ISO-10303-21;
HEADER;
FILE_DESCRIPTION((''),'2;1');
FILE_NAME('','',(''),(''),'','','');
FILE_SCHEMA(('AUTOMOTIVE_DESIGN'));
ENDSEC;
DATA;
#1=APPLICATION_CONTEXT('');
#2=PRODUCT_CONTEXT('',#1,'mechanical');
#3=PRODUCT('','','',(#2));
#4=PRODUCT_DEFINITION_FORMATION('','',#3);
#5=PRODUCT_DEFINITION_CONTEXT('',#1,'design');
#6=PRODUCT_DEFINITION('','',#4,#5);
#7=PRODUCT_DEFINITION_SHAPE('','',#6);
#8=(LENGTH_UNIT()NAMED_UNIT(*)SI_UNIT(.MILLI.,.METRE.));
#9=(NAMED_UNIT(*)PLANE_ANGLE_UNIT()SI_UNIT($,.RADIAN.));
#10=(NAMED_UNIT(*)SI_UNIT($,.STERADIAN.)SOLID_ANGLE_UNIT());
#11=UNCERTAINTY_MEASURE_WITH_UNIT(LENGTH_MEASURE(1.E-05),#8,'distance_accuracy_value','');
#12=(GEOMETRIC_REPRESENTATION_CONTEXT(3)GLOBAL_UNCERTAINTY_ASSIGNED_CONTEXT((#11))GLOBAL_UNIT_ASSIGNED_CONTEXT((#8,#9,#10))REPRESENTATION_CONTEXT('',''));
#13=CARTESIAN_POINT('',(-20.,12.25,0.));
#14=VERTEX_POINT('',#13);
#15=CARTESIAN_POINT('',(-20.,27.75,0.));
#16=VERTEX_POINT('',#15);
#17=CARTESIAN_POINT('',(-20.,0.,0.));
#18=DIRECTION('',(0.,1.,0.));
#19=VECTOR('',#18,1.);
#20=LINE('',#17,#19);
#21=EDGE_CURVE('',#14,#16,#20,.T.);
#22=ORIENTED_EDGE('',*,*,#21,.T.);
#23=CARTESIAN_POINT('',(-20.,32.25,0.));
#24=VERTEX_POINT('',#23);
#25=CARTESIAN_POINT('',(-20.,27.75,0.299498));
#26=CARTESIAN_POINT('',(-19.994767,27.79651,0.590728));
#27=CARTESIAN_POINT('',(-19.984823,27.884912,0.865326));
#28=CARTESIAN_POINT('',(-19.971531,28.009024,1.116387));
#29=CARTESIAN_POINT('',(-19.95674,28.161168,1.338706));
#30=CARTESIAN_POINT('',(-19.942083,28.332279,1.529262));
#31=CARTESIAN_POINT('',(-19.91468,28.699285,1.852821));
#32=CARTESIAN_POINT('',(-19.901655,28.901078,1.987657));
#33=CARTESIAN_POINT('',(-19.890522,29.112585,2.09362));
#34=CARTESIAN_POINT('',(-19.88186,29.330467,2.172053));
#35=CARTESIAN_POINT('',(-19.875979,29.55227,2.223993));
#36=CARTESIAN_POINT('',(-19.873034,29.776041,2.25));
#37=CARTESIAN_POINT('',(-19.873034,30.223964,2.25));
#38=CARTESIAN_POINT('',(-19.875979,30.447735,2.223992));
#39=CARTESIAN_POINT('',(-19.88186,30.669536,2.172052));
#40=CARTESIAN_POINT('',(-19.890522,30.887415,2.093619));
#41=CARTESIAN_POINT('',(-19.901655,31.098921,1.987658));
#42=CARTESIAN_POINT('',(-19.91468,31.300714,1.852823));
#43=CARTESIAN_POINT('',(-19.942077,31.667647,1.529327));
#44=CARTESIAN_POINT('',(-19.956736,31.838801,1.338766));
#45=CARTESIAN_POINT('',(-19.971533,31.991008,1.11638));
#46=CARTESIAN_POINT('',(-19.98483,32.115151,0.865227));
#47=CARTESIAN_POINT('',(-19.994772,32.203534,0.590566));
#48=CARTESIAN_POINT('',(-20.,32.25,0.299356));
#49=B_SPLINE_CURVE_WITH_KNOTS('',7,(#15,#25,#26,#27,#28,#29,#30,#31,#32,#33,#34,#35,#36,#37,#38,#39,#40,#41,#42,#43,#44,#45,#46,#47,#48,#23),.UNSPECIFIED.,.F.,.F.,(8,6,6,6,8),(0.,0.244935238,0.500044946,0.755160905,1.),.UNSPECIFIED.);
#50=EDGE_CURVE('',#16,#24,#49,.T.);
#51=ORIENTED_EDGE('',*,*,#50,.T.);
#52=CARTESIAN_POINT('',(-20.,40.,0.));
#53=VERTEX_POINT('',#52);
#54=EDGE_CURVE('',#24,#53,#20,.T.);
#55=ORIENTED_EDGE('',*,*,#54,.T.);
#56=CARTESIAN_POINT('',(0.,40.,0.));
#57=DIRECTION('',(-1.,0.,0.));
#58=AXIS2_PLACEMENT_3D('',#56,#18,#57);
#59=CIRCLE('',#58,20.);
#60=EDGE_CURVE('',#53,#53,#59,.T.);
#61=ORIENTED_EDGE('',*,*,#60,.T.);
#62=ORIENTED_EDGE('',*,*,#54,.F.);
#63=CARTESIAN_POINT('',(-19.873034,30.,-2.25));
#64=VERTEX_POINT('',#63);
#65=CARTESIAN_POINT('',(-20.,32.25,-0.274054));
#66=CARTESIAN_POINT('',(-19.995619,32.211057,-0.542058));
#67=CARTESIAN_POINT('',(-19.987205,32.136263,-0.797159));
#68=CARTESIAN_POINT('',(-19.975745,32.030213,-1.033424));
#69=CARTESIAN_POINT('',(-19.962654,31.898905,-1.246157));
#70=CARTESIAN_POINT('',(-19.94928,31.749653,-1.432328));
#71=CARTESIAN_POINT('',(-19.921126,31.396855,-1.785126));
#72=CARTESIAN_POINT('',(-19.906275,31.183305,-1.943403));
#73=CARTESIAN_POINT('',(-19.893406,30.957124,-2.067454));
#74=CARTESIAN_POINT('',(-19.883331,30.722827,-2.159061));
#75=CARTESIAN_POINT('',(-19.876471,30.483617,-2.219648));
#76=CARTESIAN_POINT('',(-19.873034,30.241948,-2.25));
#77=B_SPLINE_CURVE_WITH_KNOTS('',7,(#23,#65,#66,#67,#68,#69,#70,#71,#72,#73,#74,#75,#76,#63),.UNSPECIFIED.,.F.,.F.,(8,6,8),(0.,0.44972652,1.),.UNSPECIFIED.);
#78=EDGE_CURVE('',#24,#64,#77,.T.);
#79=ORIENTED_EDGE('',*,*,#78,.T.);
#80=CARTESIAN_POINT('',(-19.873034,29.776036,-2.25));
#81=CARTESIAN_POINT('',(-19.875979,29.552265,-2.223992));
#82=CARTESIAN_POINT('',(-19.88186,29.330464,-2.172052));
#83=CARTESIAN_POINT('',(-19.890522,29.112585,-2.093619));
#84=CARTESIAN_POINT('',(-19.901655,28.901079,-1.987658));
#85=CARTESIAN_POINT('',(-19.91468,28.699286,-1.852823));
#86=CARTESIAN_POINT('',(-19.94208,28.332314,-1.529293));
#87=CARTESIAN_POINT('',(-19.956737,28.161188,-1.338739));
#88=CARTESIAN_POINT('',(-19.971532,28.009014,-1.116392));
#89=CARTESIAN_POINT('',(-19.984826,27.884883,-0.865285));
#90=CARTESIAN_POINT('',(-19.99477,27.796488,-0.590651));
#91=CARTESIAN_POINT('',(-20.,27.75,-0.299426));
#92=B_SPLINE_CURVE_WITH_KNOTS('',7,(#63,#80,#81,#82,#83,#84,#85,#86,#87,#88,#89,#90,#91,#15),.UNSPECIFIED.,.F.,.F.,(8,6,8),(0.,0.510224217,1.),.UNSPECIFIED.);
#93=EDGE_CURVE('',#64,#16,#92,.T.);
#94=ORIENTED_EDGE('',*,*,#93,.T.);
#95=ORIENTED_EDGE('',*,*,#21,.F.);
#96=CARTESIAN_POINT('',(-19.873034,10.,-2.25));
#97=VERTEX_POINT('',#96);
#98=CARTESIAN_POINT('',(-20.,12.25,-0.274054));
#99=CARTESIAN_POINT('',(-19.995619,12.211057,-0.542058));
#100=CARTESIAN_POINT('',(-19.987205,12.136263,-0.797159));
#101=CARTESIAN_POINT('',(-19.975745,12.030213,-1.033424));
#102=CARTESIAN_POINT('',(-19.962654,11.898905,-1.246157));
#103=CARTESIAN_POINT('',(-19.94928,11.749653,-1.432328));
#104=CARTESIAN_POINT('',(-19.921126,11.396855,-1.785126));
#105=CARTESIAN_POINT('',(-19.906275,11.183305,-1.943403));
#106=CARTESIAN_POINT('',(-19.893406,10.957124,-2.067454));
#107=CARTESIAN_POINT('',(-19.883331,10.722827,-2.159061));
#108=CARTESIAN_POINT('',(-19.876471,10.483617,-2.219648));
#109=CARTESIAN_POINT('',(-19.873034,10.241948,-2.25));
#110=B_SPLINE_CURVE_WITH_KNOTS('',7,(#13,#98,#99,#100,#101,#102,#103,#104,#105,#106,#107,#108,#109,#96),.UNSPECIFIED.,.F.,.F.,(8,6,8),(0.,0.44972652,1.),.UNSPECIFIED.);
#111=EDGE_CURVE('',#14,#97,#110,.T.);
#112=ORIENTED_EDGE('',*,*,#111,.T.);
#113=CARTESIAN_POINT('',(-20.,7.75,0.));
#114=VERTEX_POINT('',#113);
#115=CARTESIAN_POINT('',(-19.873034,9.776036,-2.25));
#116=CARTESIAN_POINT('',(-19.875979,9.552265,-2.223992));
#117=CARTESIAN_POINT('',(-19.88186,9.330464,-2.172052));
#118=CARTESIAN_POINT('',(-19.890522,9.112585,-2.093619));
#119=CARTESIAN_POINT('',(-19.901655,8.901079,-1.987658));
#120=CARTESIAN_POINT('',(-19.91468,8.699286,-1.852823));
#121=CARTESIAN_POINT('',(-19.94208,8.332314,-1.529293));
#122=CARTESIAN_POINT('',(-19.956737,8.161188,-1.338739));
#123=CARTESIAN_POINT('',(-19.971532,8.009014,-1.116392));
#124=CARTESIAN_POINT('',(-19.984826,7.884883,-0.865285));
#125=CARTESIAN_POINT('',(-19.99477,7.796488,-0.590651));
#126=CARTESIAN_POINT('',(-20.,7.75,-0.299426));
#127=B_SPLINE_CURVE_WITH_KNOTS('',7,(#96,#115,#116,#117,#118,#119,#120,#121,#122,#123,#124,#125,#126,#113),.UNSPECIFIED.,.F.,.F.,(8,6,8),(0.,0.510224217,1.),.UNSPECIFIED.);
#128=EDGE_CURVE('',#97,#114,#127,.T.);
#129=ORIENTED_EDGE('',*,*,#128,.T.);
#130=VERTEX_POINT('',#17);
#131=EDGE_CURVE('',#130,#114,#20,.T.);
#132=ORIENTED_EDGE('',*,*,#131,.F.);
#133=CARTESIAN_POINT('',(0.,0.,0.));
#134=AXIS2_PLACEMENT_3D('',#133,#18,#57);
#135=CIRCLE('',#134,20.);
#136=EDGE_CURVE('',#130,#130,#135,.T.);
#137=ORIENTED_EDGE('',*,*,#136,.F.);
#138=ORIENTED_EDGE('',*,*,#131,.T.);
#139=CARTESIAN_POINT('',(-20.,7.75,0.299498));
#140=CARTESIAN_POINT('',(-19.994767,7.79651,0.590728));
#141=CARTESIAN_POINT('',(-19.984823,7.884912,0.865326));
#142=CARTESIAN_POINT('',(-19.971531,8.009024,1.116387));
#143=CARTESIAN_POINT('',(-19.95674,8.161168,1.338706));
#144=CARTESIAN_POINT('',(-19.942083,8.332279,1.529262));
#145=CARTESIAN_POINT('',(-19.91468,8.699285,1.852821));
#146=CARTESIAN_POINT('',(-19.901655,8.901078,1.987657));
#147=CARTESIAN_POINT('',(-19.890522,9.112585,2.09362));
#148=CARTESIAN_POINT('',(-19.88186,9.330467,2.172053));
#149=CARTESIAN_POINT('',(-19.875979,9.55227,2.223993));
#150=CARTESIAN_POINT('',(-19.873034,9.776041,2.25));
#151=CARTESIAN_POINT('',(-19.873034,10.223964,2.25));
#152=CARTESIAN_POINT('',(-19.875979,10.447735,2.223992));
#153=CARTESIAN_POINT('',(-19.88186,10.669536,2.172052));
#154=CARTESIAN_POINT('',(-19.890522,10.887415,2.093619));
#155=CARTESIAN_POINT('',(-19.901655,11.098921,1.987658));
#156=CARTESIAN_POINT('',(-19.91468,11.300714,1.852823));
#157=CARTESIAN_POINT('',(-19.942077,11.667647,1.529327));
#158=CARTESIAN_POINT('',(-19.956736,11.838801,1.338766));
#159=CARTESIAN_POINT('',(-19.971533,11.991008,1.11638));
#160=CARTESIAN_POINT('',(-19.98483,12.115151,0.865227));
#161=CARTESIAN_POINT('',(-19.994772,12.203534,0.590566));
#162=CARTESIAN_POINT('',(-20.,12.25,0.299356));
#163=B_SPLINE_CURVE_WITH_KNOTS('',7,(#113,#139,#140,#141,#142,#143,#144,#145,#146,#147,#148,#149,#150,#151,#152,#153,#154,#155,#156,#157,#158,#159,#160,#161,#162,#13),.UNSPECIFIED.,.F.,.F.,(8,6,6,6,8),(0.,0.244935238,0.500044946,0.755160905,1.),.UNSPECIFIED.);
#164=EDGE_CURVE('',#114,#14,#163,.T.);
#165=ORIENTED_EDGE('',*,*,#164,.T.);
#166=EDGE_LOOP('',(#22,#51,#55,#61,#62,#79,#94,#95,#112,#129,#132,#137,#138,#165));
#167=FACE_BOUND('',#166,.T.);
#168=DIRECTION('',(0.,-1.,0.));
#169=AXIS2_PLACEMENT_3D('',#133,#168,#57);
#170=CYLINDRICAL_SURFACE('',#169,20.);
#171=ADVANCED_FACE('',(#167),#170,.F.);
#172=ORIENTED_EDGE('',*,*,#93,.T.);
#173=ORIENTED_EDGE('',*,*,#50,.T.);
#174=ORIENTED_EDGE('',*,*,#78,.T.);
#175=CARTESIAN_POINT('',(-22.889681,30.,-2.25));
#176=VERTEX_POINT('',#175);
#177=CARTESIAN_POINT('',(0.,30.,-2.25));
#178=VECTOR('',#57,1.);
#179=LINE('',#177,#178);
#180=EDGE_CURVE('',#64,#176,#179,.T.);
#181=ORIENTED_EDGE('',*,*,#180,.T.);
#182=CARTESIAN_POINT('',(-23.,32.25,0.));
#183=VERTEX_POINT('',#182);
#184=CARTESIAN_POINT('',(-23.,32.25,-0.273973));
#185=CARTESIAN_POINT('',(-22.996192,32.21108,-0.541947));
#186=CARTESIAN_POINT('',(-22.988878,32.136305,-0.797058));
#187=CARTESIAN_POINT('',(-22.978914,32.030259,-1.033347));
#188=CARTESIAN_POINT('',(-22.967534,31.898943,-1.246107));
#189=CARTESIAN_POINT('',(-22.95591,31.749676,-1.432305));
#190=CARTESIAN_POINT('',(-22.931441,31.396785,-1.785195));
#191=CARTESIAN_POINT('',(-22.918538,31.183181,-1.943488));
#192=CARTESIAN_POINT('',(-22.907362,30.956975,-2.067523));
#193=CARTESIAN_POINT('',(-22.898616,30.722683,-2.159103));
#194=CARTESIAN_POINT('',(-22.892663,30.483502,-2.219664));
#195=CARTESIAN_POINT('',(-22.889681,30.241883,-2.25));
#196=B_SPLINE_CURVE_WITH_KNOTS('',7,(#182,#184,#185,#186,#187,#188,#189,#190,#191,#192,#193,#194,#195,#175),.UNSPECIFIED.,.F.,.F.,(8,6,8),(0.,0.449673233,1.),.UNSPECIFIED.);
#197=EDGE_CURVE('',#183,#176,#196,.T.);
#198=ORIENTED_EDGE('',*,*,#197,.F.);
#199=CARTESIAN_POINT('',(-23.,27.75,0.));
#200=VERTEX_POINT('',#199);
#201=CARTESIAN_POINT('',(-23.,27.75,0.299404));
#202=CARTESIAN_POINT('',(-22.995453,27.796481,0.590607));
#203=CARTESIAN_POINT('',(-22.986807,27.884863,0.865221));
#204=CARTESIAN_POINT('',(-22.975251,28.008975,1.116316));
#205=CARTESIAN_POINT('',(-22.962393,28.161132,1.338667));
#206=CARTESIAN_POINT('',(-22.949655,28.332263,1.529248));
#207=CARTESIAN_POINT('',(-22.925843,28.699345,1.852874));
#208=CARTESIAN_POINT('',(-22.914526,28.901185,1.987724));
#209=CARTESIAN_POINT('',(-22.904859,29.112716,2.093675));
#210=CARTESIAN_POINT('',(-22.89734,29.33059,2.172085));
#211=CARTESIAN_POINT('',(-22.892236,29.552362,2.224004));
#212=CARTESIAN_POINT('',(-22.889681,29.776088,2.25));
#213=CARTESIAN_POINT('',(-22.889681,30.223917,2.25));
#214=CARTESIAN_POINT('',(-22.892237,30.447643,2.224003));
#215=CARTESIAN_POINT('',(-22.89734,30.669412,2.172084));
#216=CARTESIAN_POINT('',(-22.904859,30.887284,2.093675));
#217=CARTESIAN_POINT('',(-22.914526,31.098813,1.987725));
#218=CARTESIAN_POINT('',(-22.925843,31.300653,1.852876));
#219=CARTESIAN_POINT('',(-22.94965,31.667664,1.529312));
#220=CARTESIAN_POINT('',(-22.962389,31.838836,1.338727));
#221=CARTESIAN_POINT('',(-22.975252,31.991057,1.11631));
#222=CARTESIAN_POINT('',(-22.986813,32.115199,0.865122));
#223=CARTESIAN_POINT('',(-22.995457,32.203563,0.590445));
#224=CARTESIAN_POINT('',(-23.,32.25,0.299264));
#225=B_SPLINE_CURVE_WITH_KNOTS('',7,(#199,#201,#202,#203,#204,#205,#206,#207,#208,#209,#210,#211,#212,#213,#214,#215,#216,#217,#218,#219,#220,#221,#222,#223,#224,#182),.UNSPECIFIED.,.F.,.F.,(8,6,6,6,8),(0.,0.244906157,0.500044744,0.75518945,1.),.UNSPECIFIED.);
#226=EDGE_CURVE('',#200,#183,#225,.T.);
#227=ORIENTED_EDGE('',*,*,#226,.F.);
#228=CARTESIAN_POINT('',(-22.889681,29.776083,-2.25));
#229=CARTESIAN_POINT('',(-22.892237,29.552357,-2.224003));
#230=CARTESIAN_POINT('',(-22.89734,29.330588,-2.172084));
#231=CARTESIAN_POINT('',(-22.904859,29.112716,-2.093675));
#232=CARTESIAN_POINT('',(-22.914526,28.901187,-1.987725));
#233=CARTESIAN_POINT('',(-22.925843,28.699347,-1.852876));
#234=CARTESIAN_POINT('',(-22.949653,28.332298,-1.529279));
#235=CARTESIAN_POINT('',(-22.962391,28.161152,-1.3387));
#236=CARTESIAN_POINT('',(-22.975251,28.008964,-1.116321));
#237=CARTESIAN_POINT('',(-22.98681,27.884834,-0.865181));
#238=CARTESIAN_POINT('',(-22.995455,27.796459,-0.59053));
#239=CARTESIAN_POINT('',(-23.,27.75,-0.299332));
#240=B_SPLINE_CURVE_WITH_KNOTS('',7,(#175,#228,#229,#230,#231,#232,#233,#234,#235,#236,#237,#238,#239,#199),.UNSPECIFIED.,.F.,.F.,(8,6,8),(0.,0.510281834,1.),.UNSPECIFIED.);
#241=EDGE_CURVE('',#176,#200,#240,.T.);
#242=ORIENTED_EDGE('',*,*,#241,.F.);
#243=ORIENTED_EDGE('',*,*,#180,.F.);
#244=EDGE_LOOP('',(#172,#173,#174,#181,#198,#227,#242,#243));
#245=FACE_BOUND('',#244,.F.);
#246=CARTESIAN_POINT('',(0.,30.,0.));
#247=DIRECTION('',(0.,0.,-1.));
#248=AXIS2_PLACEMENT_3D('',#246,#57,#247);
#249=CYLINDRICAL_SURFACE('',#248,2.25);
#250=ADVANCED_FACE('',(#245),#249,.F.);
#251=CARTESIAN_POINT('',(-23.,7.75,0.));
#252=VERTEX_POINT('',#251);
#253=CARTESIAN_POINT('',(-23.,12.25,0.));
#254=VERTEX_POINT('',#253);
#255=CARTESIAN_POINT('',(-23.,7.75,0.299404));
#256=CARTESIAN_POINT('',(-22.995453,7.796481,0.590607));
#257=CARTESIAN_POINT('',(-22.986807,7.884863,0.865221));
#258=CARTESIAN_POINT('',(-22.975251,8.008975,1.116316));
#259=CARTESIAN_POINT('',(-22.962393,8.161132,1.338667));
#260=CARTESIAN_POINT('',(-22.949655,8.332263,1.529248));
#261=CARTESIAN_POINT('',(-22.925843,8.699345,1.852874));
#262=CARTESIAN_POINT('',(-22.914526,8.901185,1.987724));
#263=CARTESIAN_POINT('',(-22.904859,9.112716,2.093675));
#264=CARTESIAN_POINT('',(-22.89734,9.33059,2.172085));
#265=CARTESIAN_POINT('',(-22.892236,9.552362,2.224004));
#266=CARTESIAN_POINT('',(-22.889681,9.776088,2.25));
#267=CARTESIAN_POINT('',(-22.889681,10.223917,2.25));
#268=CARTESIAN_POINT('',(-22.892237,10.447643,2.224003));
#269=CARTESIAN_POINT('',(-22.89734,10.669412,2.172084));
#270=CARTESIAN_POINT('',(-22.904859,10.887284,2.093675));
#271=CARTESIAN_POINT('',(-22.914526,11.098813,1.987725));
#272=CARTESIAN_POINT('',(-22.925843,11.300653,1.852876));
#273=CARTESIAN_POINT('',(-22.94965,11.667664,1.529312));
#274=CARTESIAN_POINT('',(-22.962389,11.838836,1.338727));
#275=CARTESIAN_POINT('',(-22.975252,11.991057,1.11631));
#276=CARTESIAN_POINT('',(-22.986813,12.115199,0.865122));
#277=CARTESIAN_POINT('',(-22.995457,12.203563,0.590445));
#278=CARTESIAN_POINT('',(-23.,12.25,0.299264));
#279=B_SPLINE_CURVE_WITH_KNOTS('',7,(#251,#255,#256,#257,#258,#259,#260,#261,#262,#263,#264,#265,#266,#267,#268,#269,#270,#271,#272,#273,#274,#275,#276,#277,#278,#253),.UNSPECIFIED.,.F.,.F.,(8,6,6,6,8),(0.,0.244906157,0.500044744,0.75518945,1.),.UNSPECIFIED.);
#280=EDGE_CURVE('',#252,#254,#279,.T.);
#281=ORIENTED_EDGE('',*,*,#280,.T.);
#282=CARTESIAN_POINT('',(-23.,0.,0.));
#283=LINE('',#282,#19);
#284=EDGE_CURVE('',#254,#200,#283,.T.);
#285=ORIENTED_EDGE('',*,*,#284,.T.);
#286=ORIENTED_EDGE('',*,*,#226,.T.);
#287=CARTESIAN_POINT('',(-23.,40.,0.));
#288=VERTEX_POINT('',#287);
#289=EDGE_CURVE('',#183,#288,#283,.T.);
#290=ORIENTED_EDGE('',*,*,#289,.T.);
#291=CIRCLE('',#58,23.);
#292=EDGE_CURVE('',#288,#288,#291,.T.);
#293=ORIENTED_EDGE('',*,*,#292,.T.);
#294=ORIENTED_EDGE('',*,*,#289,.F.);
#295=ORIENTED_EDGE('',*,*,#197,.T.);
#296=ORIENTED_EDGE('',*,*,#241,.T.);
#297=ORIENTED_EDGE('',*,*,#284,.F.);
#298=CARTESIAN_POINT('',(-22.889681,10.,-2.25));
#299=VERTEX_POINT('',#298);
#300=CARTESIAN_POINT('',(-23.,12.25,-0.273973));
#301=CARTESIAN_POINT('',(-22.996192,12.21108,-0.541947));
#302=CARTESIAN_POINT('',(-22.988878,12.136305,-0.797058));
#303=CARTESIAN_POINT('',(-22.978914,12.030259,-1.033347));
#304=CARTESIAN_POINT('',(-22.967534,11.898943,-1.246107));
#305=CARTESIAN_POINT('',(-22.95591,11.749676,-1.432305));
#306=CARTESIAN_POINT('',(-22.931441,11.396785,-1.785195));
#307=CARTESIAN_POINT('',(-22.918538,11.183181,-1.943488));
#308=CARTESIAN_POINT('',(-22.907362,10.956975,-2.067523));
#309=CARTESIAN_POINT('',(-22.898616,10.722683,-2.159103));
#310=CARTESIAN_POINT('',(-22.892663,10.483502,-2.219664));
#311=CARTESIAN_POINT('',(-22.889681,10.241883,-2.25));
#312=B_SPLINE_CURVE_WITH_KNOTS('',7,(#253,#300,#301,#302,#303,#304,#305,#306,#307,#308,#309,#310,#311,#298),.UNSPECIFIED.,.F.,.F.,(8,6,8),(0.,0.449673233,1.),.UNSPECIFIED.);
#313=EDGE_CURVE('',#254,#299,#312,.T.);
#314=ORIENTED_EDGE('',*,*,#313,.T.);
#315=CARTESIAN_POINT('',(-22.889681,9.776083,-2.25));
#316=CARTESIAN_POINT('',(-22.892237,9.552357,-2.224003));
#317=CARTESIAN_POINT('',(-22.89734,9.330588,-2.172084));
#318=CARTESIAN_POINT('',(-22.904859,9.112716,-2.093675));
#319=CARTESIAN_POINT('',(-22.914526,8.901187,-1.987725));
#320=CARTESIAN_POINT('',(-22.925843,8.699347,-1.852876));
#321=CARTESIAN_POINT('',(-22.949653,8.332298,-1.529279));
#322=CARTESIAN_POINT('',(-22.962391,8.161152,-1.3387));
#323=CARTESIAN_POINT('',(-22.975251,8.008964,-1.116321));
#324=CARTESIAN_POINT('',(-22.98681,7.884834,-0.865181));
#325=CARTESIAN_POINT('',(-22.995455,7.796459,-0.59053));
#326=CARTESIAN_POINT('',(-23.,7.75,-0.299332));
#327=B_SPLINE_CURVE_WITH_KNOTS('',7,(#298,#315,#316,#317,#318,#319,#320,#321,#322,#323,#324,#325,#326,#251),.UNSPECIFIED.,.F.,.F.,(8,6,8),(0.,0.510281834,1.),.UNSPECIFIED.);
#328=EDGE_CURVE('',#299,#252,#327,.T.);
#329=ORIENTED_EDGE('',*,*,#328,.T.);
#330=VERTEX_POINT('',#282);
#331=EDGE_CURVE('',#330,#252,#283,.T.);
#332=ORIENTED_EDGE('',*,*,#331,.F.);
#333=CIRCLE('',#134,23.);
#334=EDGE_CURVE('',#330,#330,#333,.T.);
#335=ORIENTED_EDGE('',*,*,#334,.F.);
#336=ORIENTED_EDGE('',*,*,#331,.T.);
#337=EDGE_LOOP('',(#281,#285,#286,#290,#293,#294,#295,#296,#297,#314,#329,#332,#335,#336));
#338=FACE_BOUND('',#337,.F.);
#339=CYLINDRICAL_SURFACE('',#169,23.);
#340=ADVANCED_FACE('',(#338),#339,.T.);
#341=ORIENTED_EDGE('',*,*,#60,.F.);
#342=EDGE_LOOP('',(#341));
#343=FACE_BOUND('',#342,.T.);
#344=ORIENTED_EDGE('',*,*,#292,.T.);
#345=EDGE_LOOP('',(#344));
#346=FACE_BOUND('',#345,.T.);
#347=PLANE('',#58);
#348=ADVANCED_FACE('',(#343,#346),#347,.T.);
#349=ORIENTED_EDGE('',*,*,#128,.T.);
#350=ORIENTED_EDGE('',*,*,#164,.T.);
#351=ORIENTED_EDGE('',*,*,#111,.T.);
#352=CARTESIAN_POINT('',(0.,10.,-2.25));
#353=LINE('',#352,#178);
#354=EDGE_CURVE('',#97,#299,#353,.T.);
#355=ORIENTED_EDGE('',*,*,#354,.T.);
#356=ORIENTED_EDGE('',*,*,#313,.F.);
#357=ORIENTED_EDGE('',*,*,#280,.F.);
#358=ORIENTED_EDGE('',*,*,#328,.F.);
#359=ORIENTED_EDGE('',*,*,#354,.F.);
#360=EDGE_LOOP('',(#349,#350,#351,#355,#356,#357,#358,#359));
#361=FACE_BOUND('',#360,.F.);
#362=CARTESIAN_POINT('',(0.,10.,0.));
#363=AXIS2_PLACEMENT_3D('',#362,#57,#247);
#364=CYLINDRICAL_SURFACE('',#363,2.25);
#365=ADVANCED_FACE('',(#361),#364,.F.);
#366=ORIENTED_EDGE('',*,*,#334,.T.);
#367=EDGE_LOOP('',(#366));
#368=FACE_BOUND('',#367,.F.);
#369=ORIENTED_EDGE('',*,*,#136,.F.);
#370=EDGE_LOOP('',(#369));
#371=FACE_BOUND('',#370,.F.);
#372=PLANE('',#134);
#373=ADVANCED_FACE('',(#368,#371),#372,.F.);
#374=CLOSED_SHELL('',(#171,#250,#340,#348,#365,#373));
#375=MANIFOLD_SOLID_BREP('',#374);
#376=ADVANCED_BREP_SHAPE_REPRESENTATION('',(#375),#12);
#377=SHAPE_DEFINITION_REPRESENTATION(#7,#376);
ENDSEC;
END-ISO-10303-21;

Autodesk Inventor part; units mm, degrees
ref_plane "YZ Plane" through (0, 0, 0) normal (1, 0, 0) x (0, 1, 0)
ref_plane "XZ Plane" through (0, 0, 0) normal (0, 1, 0) x (-1, 0, 0)
ref_plane "XY Plane" through (0, 0, 0) normal (0, 0, 1) x (1, 0, 0)
sketch "Sketch1" plane through (0, 0, 0) normal (0, 1, 0) x (-1, 0, 0)
  circle A0 centre (0, 0) radius 23
  circle A1 centre (0, 0) radius 20
  dimension "d0" = 3
  dimension "d1" = 40
extrude "Extrusion1" add sketch "Sketch1" along normal blind 40
sketch "Sketch4" plane through (0, 0, 0) normal (1, 0, 0) x (0, 1, 0)
  line L0 (40, -23) -> (40, 23) projected
  line L1 (-8, 0) -> (48, 0) projected
  point P0 (0, 0)
  point P1 (30, 0)
  point P2 (10, 0)
  dimension "d18" = 20
  dimension "d19" = 10
hole "Hole2" at (0, 30, 0) at (0, 10, 0) direction (-1, 0, 0) diameter 4.5 end through all clearance for "Socket Head Cap Screw" size "M4" standard "Ansi Metric M Profile"
properties part number "PVC Pipe" material "PVC-Piping"
